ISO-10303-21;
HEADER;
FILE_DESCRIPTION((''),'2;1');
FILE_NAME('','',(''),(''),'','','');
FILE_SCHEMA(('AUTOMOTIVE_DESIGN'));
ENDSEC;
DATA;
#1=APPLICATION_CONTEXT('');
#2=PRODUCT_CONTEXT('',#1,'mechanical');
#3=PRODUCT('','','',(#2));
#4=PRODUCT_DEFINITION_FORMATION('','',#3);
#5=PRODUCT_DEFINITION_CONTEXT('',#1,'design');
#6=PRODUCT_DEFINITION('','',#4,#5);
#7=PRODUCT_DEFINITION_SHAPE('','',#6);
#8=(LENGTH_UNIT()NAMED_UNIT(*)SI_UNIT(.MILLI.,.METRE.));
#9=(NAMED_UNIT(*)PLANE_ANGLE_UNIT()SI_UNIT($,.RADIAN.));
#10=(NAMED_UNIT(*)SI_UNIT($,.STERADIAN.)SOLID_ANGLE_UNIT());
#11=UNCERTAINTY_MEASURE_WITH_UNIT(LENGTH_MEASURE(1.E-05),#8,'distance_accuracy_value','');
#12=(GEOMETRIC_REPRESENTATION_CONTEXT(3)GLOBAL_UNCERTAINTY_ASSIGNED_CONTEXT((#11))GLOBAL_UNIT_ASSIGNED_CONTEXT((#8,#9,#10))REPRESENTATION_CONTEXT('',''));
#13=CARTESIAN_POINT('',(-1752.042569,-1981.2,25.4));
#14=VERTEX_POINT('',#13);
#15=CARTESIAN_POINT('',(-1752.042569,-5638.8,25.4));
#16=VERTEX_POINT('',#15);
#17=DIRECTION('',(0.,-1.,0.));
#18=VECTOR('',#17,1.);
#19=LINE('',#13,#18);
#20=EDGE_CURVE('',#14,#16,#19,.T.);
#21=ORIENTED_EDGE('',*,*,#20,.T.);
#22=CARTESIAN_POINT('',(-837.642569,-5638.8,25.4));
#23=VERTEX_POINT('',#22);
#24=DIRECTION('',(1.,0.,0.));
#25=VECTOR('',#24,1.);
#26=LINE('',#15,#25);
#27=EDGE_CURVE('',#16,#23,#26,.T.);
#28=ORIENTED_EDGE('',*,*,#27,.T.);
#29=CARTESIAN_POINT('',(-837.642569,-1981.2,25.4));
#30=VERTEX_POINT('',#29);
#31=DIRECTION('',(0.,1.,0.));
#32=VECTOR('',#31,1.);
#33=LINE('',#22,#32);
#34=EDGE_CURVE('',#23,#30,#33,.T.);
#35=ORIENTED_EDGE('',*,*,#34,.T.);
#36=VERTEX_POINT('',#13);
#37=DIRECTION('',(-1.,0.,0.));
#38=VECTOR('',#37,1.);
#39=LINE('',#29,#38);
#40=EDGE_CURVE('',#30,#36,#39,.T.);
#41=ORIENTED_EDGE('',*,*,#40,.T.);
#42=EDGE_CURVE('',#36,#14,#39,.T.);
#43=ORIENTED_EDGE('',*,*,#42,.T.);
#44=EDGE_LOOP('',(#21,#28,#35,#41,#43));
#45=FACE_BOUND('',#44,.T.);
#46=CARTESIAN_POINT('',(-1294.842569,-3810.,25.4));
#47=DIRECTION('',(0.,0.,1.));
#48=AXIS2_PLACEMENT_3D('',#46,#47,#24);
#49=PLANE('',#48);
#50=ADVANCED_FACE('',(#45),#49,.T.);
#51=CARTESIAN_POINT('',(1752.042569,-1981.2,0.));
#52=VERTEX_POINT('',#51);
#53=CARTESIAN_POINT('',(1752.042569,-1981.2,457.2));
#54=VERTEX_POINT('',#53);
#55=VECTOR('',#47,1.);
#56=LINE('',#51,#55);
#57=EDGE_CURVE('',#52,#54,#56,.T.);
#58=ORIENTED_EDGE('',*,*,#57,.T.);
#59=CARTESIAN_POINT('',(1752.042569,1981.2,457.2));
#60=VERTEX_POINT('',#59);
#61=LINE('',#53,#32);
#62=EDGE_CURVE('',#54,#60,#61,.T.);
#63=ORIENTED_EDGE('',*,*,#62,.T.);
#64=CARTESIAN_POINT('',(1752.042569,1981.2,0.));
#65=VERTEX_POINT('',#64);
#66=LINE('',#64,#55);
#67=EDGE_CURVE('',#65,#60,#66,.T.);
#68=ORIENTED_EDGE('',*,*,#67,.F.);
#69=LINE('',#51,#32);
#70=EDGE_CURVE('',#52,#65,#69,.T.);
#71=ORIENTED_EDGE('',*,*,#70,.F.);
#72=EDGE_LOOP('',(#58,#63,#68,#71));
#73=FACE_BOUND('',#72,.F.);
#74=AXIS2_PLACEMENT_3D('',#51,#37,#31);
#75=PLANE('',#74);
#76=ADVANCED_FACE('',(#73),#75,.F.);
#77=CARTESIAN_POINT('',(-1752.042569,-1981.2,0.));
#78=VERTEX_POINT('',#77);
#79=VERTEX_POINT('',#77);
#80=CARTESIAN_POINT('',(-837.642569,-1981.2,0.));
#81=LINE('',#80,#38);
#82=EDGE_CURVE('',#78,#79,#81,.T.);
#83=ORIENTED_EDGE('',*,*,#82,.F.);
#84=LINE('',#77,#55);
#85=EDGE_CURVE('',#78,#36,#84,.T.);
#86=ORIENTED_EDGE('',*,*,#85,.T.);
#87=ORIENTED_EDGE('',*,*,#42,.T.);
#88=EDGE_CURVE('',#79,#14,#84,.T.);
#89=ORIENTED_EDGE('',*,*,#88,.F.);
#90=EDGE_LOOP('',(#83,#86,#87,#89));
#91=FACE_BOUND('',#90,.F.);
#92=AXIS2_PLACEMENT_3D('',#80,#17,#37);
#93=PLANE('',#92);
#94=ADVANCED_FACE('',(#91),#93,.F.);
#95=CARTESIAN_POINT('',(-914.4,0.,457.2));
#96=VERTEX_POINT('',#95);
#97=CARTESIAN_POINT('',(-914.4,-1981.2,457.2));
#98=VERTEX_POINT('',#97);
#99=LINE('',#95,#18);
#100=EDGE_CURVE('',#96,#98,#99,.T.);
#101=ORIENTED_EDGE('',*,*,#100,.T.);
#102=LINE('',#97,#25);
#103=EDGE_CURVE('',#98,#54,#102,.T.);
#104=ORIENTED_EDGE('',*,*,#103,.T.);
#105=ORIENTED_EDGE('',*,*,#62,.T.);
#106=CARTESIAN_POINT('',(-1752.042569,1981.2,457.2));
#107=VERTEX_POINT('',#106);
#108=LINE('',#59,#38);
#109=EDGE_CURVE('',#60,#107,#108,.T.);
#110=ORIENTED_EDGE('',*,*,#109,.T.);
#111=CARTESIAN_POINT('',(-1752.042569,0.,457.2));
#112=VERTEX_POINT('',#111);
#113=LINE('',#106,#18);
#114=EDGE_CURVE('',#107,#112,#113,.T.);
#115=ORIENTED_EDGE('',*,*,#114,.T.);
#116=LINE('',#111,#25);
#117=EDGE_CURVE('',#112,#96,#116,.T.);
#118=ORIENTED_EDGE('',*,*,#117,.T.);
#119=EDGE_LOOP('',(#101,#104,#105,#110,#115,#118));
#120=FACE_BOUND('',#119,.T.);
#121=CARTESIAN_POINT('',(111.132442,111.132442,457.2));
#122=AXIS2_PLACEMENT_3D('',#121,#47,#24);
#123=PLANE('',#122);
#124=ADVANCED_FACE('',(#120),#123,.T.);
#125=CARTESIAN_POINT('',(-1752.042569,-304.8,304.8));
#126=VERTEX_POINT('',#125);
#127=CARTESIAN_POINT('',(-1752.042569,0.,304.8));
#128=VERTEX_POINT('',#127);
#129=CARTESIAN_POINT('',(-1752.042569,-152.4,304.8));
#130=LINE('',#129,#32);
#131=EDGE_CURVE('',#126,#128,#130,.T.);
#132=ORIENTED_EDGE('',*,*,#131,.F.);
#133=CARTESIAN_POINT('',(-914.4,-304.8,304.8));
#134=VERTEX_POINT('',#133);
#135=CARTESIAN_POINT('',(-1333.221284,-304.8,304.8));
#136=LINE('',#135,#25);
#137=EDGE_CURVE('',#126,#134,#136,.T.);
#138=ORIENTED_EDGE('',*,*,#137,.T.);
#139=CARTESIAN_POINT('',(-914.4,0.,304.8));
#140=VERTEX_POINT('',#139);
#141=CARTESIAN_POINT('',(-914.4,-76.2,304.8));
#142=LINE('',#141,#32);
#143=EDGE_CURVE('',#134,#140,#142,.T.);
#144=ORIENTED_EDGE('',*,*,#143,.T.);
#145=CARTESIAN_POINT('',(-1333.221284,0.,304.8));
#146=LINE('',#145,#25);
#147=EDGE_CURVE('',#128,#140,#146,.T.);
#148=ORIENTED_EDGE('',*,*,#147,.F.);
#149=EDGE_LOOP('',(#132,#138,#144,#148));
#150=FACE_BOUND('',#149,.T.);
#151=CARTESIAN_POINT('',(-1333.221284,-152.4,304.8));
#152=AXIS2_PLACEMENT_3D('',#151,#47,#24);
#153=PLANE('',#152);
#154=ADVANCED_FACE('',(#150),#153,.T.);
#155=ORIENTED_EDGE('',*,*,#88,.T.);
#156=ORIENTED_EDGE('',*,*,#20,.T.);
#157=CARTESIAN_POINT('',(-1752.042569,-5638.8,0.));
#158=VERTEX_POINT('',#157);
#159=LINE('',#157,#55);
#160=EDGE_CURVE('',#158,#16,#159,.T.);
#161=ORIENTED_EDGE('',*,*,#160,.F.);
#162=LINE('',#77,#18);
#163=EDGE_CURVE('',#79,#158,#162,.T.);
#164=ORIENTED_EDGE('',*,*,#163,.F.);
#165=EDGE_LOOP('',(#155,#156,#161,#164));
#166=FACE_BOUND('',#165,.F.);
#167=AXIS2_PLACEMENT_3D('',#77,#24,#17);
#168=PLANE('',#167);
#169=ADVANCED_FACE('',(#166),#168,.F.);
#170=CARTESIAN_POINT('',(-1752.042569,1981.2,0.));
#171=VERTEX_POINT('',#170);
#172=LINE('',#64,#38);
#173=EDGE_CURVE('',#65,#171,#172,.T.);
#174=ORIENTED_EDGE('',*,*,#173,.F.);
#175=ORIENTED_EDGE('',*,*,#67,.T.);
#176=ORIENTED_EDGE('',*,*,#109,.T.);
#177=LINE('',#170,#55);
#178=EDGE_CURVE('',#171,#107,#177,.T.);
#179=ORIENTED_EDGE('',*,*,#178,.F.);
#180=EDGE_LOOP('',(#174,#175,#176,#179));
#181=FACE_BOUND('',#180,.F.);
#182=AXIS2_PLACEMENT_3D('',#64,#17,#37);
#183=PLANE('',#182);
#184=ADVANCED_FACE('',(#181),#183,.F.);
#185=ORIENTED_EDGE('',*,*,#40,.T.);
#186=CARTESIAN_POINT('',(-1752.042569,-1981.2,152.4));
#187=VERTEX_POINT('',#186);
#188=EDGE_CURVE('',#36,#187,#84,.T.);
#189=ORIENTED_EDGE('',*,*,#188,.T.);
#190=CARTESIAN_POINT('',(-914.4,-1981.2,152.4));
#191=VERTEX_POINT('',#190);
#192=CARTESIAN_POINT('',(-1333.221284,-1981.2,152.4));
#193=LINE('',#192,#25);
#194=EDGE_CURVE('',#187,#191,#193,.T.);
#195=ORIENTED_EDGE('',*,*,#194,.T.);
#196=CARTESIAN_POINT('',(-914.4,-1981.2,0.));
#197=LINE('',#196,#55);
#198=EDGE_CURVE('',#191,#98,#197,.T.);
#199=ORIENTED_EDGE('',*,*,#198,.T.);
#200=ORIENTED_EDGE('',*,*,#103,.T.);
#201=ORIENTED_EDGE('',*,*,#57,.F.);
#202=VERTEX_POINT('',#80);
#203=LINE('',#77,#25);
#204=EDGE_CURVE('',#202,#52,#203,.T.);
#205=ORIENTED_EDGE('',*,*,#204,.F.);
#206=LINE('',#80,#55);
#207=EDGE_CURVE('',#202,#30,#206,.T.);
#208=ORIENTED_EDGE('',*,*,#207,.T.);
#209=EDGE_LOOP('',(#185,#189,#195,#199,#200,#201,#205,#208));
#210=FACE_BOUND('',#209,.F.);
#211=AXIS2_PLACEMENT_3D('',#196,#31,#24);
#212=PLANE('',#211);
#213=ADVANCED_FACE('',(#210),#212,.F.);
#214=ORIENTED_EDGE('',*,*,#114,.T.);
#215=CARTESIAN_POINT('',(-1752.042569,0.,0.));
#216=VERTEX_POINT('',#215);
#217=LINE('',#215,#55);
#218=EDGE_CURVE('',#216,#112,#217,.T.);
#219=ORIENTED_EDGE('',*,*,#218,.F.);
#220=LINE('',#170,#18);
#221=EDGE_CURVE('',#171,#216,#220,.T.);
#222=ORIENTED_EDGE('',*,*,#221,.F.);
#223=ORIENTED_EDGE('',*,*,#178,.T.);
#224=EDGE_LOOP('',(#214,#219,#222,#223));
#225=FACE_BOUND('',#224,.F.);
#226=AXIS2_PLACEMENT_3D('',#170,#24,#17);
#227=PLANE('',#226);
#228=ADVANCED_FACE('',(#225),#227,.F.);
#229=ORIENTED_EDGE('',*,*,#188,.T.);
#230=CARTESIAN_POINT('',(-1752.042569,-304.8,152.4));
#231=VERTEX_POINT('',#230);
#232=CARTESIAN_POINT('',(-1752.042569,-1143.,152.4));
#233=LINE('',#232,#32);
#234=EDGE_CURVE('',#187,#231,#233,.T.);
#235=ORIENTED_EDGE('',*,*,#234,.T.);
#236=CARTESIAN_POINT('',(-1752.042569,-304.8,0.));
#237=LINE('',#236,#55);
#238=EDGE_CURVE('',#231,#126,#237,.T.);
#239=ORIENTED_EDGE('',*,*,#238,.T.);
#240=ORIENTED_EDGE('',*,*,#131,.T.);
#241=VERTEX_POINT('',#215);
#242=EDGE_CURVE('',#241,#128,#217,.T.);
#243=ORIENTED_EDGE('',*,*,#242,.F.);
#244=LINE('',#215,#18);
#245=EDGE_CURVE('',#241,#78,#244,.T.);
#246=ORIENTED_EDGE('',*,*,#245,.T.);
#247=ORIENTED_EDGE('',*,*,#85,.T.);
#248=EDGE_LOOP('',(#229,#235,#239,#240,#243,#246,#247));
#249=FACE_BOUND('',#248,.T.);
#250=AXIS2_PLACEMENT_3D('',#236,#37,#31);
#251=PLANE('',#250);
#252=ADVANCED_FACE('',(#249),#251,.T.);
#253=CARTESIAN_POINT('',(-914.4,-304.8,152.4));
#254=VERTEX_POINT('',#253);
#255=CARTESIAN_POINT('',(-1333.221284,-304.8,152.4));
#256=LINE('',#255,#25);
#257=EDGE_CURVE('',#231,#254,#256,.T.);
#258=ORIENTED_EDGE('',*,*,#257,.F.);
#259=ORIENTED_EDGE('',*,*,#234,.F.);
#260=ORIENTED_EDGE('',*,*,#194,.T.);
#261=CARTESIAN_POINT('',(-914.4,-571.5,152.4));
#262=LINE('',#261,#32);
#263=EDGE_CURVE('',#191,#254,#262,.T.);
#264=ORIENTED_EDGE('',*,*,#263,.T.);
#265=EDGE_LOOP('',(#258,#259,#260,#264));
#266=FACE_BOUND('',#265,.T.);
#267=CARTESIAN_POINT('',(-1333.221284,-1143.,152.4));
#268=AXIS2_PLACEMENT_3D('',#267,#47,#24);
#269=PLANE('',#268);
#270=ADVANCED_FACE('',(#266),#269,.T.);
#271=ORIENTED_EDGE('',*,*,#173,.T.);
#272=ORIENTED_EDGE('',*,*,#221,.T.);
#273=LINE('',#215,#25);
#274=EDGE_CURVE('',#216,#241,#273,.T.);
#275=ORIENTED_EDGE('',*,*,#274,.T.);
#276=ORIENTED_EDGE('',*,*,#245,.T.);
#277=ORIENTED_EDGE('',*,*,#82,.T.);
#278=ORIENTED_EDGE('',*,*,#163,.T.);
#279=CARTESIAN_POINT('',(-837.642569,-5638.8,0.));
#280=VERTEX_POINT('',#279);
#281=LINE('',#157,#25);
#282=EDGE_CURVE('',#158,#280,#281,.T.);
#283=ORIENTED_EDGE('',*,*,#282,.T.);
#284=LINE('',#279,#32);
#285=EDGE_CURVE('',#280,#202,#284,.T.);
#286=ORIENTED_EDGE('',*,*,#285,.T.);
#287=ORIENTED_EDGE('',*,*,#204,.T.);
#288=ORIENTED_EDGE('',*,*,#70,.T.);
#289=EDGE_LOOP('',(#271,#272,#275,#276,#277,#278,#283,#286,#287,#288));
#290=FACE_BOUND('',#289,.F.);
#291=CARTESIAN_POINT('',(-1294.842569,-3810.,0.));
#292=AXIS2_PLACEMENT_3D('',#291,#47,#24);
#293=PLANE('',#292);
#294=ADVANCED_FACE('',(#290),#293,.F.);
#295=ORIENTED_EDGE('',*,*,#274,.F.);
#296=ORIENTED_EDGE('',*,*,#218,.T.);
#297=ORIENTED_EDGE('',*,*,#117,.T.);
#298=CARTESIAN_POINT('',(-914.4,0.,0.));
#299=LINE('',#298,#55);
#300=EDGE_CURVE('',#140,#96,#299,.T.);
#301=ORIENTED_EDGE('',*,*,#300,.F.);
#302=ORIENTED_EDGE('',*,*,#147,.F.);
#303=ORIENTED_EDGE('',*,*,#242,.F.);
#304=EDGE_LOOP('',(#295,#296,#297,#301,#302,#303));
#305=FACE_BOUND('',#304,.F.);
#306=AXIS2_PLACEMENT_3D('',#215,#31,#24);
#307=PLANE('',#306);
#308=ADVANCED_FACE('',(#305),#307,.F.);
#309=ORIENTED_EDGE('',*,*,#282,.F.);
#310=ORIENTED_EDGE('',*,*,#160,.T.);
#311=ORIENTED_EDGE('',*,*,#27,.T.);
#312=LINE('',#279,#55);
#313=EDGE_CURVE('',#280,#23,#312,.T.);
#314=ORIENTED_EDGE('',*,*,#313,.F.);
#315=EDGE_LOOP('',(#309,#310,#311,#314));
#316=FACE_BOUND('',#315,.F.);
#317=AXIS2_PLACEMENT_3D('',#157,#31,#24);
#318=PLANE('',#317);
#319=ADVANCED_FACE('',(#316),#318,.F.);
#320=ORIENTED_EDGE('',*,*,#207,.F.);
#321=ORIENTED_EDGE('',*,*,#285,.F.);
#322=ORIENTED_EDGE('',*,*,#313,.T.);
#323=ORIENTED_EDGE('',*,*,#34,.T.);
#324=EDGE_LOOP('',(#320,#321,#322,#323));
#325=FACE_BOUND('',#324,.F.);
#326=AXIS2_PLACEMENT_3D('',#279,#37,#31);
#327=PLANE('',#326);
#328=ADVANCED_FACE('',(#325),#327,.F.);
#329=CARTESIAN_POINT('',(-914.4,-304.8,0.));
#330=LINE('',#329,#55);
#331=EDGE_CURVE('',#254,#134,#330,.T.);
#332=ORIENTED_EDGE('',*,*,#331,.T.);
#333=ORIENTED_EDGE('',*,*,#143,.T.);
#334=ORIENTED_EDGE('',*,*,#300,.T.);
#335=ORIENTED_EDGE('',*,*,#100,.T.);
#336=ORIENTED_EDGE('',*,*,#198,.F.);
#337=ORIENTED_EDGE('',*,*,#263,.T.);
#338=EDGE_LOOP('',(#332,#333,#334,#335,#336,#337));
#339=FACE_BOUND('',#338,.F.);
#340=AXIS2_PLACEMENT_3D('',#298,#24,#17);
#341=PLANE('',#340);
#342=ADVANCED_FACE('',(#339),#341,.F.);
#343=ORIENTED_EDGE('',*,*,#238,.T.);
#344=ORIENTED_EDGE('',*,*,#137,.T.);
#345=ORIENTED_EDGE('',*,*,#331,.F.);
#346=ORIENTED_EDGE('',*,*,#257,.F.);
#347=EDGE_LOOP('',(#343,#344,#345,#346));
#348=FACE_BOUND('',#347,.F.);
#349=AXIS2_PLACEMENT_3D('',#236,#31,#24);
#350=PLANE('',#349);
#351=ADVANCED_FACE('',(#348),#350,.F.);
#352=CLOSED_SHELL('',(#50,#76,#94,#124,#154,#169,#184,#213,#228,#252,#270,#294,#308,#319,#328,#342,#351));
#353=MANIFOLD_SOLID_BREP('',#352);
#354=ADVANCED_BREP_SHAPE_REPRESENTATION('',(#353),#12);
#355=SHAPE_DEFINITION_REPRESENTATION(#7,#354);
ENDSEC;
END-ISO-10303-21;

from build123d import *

# Parameters (mm, degrees)
F0_W     = 837.642569
F0_H     = 1676.4
F1_DEPTH = 152.4
F0_H_2   = 304.8
F2_DEPTH = 304.8
F3_DEPTH = 457.2
F4_DEPTH = 25.4


with BuildPart() as f1:
    # F0 (on Top) → F1 (new body)
    with BuildSketch(Plane.XY):
        with Locations((-1333.221284, -1143)):
            Rectangle(F0_W, F0_H)
    extrude(amount=F1_DEPTH)

    # F0 (on Top) → F2 (join)
    with BuildSketch(Plane.XY):
        with Locations((-1333.221284, -152.4)):
            Rectangle(F0_W, F0_H_2)
    extrude(amount=F2_DEPTH)

    # F0 (on Top) → F3 (join)
    with BuildSketch(Plane.XY):
        Polygon((-837.642569, -1981.2), (1752.042569, -1981.2), (1752.042569, 1981.2), (-1752.042569, 1981.2), (-1752.042569, 0), (-914.4, 0), (-914.4, -304.8), (-914.4, -1981.2), align=None)
    extrude(amount=F3_DEPTH)

    # F0 (on Top) → F4 (join)
    with BuildSketch(Plane.XY):
        Polygon((-837.642569, -5638.8), (-837.642569, -1981.2), (-914.4, -1981.2), (-1752.042569, -1981.2), (-1752.042569, -5638.8), align=None)
    extrude(amount=F4_DEPTH)


solid = f1.part
